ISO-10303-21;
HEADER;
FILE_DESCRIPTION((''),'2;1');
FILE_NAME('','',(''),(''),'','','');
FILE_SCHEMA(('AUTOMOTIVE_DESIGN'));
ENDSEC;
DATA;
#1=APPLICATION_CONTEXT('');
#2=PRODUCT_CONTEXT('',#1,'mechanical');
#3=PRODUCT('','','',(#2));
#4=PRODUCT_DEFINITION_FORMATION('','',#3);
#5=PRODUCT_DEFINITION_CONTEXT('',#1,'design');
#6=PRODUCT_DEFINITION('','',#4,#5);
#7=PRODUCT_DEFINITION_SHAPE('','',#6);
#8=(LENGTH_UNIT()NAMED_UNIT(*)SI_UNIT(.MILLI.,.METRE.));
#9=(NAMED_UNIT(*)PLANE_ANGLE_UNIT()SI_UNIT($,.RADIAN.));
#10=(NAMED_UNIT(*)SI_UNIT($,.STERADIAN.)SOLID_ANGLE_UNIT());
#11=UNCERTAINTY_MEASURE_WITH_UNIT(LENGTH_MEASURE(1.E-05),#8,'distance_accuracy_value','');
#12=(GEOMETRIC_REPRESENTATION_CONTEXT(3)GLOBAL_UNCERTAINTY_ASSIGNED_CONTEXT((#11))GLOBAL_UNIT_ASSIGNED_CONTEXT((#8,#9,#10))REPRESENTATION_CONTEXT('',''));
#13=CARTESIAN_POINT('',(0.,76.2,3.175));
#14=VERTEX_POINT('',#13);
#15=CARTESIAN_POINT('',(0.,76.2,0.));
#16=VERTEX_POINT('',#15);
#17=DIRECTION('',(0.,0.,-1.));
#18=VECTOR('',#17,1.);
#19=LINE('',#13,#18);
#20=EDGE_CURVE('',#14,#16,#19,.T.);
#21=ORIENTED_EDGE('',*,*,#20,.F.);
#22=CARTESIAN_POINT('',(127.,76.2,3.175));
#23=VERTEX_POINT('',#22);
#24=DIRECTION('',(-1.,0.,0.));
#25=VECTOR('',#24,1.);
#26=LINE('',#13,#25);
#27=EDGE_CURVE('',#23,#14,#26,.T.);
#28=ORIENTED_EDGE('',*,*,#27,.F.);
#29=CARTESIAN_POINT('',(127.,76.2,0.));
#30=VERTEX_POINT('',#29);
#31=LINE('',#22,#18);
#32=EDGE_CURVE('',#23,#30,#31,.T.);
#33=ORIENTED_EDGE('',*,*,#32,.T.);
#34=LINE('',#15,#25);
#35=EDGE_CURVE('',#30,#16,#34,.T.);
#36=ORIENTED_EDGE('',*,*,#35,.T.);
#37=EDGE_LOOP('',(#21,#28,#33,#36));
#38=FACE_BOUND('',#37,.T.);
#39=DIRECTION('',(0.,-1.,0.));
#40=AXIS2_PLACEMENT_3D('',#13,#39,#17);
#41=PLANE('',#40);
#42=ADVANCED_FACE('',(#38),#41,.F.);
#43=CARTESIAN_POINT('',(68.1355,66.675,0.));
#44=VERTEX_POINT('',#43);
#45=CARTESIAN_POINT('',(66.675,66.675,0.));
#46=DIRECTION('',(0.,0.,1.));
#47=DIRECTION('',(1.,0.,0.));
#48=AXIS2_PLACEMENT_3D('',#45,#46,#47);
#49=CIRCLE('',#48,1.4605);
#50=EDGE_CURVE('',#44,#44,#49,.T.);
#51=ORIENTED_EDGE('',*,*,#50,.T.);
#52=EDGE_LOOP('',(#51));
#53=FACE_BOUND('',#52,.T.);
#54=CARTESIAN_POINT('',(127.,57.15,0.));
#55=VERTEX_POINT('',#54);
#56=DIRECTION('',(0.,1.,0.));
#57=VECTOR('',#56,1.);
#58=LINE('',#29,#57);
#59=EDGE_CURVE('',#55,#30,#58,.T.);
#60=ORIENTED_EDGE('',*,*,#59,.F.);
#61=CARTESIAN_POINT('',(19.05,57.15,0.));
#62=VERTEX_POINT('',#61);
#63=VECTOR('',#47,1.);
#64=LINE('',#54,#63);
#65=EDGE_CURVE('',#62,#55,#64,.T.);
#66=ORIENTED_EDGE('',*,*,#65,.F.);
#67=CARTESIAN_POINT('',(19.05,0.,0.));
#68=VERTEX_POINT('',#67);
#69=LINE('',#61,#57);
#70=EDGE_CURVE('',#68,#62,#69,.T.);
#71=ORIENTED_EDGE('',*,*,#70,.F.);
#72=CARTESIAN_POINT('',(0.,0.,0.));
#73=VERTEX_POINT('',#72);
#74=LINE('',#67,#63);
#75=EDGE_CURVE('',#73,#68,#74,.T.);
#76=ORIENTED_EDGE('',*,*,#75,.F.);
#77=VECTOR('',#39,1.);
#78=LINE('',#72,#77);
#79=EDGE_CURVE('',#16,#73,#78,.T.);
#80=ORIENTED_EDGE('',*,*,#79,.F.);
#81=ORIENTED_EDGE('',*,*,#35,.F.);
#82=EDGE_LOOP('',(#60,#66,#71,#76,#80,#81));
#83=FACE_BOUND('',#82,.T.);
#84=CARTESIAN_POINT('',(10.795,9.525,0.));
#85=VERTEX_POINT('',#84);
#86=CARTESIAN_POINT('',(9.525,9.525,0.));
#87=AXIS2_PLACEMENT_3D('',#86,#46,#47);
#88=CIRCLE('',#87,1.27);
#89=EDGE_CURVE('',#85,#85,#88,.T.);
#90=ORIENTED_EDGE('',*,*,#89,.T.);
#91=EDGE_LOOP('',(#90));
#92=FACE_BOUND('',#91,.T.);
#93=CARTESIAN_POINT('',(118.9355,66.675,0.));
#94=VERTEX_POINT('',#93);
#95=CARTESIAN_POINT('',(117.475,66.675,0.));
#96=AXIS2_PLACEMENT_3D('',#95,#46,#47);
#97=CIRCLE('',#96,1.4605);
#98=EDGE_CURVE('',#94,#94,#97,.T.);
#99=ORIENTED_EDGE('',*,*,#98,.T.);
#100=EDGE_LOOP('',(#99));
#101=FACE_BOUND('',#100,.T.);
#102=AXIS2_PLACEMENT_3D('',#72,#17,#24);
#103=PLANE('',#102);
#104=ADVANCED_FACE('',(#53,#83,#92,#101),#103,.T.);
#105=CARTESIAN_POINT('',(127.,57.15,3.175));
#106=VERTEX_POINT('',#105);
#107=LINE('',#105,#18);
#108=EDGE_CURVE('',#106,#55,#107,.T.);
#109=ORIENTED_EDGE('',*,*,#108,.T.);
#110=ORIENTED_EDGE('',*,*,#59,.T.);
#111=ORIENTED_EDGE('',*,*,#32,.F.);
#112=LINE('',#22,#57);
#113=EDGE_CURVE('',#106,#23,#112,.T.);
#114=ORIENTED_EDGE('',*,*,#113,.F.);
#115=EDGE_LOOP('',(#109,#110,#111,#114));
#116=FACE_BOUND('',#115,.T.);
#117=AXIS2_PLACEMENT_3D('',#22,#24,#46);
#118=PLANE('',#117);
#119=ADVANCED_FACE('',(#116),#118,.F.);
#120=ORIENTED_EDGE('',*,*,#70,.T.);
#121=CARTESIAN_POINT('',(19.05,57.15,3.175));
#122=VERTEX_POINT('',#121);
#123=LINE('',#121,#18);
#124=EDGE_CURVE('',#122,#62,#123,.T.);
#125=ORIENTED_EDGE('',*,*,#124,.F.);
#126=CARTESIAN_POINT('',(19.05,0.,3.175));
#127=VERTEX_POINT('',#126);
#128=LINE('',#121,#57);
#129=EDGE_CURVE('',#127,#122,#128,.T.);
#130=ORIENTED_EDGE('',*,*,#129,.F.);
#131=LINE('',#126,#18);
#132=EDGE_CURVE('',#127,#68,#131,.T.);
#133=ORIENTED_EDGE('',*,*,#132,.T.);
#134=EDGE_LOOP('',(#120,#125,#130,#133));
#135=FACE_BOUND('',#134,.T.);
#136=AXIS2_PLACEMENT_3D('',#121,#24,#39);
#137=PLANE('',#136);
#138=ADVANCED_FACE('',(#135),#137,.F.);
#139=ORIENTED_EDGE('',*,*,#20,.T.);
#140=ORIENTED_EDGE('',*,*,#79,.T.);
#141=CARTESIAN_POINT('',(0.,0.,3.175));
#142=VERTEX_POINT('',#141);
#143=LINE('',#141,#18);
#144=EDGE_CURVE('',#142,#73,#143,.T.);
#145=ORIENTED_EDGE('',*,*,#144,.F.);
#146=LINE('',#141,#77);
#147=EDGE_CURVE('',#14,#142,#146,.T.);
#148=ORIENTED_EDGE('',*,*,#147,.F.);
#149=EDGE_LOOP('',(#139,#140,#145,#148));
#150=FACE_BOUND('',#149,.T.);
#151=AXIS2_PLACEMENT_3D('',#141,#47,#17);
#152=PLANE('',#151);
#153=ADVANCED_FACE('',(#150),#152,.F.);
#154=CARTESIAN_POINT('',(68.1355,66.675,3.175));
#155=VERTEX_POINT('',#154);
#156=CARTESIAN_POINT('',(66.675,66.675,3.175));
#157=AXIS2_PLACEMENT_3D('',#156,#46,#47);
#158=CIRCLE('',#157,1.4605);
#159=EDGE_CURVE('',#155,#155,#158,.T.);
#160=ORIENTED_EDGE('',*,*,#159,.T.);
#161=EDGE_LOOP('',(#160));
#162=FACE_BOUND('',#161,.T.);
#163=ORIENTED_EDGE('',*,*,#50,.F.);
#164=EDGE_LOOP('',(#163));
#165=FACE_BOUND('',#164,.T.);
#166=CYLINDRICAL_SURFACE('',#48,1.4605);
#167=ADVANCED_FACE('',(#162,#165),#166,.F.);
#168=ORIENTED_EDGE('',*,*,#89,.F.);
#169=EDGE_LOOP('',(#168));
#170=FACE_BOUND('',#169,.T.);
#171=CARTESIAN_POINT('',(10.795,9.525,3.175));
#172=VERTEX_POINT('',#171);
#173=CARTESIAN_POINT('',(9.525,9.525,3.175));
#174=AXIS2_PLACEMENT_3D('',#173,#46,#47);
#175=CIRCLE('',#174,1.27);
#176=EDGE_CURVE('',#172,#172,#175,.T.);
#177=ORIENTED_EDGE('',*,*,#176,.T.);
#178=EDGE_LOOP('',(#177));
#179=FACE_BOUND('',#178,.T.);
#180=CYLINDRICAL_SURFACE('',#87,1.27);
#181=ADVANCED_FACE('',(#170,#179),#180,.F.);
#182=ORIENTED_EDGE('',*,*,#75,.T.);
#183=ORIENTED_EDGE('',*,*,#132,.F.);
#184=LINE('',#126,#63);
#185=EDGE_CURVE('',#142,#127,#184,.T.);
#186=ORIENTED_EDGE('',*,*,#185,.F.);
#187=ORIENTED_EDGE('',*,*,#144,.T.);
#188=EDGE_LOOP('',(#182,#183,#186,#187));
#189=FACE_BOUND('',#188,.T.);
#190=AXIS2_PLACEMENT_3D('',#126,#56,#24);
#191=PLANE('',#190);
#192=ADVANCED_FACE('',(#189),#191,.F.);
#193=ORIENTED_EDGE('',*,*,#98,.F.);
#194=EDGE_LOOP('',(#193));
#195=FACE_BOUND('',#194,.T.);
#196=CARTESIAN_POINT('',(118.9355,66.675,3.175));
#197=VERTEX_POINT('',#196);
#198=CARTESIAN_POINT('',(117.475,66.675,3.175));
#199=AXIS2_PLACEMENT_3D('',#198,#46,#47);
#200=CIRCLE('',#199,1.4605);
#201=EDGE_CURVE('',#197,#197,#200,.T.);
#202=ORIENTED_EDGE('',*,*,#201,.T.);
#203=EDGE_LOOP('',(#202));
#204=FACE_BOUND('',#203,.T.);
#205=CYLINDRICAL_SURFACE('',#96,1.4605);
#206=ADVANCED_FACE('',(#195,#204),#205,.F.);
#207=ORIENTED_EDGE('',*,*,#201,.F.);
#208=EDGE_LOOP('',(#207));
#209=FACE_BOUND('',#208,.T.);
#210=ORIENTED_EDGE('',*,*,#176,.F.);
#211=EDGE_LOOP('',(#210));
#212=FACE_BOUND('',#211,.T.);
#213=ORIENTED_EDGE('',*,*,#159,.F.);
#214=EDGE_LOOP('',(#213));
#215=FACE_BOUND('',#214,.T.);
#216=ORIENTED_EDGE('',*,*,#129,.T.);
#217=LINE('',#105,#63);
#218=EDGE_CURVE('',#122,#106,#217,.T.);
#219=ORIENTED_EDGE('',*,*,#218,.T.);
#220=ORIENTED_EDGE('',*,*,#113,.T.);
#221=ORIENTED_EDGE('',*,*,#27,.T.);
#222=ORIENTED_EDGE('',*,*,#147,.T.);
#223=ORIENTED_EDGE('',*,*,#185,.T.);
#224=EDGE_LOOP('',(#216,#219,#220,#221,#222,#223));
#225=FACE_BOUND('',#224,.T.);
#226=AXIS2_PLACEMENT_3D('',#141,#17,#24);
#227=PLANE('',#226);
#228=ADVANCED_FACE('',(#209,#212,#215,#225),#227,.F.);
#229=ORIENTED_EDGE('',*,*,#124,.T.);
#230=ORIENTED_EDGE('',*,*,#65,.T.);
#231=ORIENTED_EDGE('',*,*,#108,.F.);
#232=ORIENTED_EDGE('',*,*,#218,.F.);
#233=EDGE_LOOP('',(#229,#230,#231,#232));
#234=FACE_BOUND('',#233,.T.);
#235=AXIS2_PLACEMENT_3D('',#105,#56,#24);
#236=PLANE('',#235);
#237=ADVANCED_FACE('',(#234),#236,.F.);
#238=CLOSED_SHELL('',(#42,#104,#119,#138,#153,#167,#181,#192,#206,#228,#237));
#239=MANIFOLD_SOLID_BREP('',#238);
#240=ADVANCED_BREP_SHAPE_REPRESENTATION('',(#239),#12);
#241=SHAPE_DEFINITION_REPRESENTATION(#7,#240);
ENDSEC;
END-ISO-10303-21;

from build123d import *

# Parameters (mm, degrees)
BOSS_EXTRUDE1_DEPTH = 3.175
SKETCH2_R           = 1.27
SKETCH2_R_2         = 1.4605
CUT_EXTRUDE1_DEPTH  = 149.140205971


with BuildPart() as part:
    # Sketch1 → Boss-Extrude1 (new body)
    with BuildSketch(Plane.XY):
        Polygon((0, 0), (0, 76.2), (127, 76.2), (127, 57.15), (19.05, 57.15), (19.05, 0), align=None)
    extrude(amount=BOSS_EXTRUDE1_DEPTH)

    # Sketch2 → Cut-Extrude1 (cut, through all)
    with BuildSketch(Plane.XY.offset(3.175)):
        with Locations((9.525, 9.525)):
            Circle(SKETCH2_R)
        with Locations((117.475, 66.675)):
            Circle(SKETCH2_R_2)
        with Locations((66.675, 66.675)):
            Circle(SKETCH2_R_2)
    extrude(amount=-CUT_EXTRUDE1_DEPTH, mode=Mode.SUBTRACT)


solid = part.part
